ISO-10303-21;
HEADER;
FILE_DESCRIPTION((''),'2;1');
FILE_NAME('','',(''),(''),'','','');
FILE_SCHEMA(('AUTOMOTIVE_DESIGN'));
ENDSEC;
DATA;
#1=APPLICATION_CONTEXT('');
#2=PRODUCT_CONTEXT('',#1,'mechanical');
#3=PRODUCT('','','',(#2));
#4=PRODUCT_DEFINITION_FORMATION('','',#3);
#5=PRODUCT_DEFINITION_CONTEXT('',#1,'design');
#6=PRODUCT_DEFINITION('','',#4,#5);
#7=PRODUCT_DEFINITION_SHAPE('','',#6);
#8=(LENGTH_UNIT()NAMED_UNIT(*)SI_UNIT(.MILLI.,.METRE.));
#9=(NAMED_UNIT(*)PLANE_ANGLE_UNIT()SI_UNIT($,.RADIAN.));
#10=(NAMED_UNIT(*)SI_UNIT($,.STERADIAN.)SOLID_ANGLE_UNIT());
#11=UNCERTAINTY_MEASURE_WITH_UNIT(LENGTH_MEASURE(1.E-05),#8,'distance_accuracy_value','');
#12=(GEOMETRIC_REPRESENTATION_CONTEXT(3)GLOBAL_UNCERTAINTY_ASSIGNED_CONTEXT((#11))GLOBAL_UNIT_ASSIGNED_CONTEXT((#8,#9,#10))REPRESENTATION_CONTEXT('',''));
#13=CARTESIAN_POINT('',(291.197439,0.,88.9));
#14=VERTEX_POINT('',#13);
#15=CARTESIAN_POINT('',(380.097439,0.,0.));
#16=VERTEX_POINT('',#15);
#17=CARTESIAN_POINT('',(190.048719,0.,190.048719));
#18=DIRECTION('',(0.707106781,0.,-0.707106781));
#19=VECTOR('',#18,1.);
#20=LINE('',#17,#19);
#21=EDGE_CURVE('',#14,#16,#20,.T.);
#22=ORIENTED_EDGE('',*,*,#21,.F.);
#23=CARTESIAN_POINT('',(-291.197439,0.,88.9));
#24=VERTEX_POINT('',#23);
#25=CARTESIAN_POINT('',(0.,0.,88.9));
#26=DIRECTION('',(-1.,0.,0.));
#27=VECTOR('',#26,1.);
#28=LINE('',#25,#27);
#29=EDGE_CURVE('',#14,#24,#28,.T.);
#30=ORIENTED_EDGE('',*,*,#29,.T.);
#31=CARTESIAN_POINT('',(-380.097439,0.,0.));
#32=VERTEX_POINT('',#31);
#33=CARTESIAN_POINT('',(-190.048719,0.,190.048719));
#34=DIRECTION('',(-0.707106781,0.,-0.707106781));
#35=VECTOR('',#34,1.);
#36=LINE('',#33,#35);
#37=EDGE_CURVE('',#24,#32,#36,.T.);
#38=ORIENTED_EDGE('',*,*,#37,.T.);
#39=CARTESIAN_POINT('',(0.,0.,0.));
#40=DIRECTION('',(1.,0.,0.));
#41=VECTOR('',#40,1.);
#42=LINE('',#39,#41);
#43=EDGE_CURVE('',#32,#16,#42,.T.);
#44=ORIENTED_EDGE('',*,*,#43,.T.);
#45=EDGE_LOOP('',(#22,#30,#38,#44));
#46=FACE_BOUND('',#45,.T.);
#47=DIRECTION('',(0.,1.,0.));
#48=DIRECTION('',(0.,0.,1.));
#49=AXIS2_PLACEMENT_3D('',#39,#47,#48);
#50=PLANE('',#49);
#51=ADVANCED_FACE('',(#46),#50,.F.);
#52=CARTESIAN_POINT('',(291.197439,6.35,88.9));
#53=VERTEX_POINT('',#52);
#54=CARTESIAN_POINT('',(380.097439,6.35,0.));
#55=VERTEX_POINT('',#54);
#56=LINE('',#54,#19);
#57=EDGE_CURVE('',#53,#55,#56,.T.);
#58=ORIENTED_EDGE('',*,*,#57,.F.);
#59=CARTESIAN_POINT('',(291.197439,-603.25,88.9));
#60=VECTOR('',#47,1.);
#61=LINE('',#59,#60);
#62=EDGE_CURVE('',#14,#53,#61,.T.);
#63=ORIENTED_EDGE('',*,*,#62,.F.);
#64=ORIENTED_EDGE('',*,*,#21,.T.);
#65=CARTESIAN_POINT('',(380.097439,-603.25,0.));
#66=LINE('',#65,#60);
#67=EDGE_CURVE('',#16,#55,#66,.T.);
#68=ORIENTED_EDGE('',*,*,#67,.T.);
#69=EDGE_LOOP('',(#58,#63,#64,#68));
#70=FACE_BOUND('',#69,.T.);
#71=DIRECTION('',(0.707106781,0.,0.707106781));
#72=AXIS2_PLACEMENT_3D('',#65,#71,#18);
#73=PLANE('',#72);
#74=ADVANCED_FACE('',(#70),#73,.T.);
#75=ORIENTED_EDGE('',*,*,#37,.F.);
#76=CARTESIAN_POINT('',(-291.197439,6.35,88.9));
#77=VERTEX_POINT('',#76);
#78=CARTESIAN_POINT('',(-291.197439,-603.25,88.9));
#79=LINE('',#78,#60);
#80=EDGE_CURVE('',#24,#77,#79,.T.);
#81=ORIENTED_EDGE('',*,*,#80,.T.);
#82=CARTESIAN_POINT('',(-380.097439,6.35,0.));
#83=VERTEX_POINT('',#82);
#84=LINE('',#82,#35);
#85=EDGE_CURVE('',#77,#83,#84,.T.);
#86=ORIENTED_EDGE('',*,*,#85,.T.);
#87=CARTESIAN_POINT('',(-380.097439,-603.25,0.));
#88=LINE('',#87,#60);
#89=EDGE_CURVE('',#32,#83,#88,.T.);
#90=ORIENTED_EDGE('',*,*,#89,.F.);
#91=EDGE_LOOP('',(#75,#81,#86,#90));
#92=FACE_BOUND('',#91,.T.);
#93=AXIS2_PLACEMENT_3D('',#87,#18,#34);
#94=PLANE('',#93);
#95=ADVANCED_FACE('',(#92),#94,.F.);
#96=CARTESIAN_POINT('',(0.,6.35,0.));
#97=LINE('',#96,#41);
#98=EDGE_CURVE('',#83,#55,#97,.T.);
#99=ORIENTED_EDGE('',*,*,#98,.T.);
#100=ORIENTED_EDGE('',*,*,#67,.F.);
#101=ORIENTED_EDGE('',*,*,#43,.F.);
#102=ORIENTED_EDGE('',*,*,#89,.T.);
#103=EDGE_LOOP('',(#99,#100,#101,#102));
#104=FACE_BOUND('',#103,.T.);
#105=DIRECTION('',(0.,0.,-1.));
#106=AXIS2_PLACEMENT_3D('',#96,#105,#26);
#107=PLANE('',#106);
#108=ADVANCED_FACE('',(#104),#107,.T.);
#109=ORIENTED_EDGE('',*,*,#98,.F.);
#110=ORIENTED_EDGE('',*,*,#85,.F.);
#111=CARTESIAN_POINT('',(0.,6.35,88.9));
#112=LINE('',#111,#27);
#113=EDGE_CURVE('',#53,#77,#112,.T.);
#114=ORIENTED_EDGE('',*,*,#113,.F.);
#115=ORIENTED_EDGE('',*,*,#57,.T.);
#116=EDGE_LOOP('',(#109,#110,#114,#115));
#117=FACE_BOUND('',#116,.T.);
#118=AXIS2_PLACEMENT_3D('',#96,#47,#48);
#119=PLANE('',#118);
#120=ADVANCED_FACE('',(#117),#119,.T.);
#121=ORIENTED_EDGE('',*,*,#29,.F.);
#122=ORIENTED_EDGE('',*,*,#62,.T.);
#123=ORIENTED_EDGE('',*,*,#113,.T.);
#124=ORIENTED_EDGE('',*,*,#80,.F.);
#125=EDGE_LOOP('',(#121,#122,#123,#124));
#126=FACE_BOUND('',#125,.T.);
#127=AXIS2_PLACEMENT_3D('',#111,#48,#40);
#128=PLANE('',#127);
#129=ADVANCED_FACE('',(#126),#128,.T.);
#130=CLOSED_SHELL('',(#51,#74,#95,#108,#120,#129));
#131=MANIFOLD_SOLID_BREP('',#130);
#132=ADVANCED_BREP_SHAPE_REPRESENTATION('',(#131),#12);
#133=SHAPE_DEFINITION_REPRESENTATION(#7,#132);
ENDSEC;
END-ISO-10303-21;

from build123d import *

# Parameters (mm, degrees)
BOSS_EXTRUDE1_DEPTH = 6.35
CUT_EXTRUDE1_DEPTH  = 609.6


with BuildPart() as part:
    # Sketch1 → Boss-Extrude1 (new body)
    with BuildSketch(Plane(origin=(0, 0, 0), x_dir=(1, 0, 0), z_dir=(0, 1, 0))):
        Polygon((-381, -88.9), (-469.9, 0), (469.9, 0), (381, -88.9), align=None)
    extrude(amount=BOSS_EXTRUDE1_DEPTH)

    # Sketch2 → Cut-Extrude1 (cut)
    with BuildSketch(Plane(origin=(0, 6.35, 0), x_dir=(1, 0, 0), z_dir=(0, 1, 0))):
        Polygon((-380.097438789, 0), (-291.197438789, -88.9), (-381, -88.9), (-469.9, 0), align=None)
    cut_extrude1 = extrude(amount=-CUT_EXTRUDE1_DEPTH, mode=Mode.SUBTRACT)

    # Mirror1: Cut-Extrude1 across plane
    add(cut_extrude1.mirror(Plane(origin=(0, 0, 0), x_dir=(0, 0, 1), z_dir=(1, 0, 0))), mode=Mode.SUBTRACT)


solid = part.part
